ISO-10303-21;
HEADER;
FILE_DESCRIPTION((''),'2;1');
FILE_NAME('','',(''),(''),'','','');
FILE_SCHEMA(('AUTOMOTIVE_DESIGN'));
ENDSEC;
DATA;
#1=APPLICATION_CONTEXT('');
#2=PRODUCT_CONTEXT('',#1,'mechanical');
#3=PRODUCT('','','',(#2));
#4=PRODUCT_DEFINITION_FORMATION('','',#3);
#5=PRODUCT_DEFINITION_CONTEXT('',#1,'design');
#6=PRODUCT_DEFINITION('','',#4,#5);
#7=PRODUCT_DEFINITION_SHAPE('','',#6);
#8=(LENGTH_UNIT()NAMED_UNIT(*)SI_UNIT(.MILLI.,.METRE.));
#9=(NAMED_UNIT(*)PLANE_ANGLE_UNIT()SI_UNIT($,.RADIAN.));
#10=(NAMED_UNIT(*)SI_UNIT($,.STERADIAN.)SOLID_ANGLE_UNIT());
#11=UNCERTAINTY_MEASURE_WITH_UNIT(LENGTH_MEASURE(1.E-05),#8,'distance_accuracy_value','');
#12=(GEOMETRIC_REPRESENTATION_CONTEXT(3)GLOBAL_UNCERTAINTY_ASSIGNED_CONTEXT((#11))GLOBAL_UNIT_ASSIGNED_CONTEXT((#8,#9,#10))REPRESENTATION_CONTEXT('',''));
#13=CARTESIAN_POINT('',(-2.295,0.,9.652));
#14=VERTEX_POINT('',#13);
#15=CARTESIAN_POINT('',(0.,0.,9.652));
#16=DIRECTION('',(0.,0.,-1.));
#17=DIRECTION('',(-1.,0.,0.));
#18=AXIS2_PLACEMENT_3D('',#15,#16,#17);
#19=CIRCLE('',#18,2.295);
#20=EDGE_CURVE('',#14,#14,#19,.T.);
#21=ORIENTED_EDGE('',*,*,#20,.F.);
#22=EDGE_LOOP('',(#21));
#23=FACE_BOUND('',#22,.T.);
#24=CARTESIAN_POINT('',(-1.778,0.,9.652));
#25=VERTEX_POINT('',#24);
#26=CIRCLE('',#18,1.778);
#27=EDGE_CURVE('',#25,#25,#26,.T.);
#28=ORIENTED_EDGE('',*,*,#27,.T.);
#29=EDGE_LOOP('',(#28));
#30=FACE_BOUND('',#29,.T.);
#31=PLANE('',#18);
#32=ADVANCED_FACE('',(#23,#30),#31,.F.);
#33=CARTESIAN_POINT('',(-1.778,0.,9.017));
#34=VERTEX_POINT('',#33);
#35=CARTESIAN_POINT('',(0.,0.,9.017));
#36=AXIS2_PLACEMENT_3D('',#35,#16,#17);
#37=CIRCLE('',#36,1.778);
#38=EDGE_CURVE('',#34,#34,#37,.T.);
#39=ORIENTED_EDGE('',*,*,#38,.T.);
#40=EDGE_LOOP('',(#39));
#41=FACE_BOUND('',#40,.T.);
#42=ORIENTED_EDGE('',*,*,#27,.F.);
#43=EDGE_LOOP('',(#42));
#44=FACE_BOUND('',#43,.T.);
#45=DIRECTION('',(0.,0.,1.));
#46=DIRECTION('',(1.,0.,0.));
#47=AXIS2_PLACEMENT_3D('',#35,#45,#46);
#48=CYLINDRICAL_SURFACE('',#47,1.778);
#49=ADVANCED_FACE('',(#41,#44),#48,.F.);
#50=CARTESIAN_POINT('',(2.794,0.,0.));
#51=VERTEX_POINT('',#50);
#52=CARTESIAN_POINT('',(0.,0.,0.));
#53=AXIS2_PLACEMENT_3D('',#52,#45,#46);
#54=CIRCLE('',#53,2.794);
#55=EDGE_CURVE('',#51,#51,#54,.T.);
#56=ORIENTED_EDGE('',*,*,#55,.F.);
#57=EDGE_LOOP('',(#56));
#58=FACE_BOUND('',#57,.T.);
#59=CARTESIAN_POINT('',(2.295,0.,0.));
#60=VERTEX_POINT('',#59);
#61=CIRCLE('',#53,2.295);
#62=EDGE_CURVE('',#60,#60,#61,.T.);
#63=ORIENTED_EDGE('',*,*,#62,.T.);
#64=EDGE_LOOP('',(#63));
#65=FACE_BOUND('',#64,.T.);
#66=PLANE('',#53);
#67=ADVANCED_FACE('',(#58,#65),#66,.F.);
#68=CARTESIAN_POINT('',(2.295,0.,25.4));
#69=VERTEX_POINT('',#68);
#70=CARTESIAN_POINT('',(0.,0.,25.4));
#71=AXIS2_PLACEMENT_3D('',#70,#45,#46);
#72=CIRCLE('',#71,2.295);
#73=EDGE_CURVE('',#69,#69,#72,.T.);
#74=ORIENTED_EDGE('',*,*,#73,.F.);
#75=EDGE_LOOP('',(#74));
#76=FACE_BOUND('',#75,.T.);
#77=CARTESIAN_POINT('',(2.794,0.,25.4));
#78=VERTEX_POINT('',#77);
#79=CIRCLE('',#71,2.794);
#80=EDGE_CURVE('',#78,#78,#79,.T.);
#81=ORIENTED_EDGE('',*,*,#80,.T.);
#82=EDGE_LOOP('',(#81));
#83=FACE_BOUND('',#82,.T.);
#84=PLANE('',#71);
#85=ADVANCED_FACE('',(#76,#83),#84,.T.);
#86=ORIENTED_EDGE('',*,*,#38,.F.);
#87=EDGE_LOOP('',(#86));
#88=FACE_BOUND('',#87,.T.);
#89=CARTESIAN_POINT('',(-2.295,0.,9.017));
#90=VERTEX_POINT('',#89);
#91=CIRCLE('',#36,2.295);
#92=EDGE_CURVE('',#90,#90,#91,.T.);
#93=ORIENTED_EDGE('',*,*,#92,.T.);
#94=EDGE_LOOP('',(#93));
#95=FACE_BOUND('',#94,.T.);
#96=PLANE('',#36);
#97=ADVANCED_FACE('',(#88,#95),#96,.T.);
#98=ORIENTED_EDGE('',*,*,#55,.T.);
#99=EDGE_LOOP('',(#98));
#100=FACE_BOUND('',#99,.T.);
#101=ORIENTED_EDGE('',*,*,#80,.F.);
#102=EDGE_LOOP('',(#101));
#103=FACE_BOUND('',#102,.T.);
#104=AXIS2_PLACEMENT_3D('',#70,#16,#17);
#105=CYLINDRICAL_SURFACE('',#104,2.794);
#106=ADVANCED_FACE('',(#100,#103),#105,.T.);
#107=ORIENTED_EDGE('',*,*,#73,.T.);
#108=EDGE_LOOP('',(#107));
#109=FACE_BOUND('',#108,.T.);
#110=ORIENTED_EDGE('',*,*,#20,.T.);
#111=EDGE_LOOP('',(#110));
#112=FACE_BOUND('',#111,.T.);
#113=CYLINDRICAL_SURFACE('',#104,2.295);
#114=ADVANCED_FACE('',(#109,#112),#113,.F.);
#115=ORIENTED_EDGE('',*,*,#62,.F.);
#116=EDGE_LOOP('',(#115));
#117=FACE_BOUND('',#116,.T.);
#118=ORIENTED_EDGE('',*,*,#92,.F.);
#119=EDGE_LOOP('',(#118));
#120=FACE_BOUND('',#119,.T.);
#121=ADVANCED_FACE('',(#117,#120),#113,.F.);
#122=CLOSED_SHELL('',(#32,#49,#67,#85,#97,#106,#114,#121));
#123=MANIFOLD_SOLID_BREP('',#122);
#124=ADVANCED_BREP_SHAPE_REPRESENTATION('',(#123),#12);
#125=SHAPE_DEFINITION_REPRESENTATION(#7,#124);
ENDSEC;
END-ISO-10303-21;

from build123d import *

# Parameters (mm, degrees)
SKETCH1_R           = 2.794
SKETCH1_R_2         = 2.295
BOSS_EXTRUDE1_DEPTH = 25.4
SKETCH4_R           = 2.295
SKETCH4_R_2         = 1.778
BOSS_EXTRUDE2_DEPTH = 0.635


with BuildPart() as part:
    # Sketch1 → Boss-Extrude1 (new body)
    with BuildSketch(Plane.XY):
        Circle(SKETCH1_R)
        Circle(SKETCH1_R_2, mode=Mode.SUBTRACT)
    extrude(amount=BOSS_EXTRUDE1_DEPTH)

    # Sketch4 → Boss-Extrude2 (add)
    with BuildSketch(Plane(origin=(0, 0, 9.652), x_dir=(-1, 0, 0), z_dir=(0, 0, -1))):
        Circle(SKETCH4_R)
        Circle(SKETCH4_R_2, mode=Mode.SUBTRACT)
    extrude(amount=BOSS_EXTRUDE2_DEPTH)


solid = part.part
